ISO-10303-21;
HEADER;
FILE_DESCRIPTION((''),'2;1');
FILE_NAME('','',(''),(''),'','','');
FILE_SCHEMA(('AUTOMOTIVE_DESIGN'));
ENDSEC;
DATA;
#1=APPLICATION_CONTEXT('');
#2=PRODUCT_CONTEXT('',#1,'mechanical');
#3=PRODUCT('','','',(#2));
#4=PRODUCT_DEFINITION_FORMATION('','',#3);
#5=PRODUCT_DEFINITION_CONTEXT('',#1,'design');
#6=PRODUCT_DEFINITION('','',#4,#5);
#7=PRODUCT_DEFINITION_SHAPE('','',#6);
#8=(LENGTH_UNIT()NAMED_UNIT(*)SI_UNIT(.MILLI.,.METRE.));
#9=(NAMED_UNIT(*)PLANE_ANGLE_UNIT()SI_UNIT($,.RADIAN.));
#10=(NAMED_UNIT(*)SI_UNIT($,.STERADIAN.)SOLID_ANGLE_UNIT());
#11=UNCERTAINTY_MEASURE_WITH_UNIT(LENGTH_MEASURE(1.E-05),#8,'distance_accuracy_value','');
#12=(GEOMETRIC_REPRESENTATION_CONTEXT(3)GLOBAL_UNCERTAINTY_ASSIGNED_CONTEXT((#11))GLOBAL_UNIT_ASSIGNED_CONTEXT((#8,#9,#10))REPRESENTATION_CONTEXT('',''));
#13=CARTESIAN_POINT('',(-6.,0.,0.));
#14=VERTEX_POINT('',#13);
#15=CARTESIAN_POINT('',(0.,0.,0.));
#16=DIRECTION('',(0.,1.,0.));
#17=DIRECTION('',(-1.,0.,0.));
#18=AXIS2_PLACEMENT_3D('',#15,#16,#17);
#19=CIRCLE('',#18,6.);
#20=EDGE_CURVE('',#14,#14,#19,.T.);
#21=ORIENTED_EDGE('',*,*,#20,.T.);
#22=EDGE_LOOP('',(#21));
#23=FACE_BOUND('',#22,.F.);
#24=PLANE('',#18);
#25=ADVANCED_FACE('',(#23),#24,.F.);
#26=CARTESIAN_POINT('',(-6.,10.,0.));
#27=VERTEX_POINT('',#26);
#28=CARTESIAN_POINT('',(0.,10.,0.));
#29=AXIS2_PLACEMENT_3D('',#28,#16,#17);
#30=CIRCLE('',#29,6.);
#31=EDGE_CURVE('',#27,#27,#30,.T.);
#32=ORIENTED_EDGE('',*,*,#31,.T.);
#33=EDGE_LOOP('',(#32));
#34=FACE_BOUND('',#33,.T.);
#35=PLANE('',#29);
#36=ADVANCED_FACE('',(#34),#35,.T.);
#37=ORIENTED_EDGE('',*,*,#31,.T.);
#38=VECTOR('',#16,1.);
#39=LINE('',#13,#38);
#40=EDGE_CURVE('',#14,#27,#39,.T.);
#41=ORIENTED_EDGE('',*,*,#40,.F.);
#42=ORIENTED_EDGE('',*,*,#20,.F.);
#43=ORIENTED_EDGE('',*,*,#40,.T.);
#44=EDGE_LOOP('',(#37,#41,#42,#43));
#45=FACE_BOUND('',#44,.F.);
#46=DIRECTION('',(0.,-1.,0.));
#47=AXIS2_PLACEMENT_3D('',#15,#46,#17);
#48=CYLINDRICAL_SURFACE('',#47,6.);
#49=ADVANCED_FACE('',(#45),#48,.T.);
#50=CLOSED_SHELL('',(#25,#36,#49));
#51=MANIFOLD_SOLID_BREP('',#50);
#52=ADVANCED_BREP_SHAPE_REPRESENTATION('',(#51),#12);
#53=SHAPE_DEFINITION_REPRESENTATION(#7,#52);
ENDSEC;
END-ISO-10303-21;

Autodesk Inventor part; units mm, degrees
ref_plane "YZ Plane" through (0, 0, 0) normal (1, 0, 0) x (0, 1, 0)
ref_plane "XZ Plane" through (0, 0, 0) normal (0, 1, 0) x (-1, 0, 0)
ref_plane "XY Plane" through (0, 0, 0) normal (0, 0, 1) x (1, 0, 0)
sketch "Sketch1" plane through (0, 0, 0) normal (0, 1, 0) x (-1, 0, 0)
  circle A0 centre (0, 0) radius 6
  dimension "d0" = 12
extrude "Extrusion1" add sketch "Sketch1" along normal blind 10
properties part number "Brushless Motor Shaft"
